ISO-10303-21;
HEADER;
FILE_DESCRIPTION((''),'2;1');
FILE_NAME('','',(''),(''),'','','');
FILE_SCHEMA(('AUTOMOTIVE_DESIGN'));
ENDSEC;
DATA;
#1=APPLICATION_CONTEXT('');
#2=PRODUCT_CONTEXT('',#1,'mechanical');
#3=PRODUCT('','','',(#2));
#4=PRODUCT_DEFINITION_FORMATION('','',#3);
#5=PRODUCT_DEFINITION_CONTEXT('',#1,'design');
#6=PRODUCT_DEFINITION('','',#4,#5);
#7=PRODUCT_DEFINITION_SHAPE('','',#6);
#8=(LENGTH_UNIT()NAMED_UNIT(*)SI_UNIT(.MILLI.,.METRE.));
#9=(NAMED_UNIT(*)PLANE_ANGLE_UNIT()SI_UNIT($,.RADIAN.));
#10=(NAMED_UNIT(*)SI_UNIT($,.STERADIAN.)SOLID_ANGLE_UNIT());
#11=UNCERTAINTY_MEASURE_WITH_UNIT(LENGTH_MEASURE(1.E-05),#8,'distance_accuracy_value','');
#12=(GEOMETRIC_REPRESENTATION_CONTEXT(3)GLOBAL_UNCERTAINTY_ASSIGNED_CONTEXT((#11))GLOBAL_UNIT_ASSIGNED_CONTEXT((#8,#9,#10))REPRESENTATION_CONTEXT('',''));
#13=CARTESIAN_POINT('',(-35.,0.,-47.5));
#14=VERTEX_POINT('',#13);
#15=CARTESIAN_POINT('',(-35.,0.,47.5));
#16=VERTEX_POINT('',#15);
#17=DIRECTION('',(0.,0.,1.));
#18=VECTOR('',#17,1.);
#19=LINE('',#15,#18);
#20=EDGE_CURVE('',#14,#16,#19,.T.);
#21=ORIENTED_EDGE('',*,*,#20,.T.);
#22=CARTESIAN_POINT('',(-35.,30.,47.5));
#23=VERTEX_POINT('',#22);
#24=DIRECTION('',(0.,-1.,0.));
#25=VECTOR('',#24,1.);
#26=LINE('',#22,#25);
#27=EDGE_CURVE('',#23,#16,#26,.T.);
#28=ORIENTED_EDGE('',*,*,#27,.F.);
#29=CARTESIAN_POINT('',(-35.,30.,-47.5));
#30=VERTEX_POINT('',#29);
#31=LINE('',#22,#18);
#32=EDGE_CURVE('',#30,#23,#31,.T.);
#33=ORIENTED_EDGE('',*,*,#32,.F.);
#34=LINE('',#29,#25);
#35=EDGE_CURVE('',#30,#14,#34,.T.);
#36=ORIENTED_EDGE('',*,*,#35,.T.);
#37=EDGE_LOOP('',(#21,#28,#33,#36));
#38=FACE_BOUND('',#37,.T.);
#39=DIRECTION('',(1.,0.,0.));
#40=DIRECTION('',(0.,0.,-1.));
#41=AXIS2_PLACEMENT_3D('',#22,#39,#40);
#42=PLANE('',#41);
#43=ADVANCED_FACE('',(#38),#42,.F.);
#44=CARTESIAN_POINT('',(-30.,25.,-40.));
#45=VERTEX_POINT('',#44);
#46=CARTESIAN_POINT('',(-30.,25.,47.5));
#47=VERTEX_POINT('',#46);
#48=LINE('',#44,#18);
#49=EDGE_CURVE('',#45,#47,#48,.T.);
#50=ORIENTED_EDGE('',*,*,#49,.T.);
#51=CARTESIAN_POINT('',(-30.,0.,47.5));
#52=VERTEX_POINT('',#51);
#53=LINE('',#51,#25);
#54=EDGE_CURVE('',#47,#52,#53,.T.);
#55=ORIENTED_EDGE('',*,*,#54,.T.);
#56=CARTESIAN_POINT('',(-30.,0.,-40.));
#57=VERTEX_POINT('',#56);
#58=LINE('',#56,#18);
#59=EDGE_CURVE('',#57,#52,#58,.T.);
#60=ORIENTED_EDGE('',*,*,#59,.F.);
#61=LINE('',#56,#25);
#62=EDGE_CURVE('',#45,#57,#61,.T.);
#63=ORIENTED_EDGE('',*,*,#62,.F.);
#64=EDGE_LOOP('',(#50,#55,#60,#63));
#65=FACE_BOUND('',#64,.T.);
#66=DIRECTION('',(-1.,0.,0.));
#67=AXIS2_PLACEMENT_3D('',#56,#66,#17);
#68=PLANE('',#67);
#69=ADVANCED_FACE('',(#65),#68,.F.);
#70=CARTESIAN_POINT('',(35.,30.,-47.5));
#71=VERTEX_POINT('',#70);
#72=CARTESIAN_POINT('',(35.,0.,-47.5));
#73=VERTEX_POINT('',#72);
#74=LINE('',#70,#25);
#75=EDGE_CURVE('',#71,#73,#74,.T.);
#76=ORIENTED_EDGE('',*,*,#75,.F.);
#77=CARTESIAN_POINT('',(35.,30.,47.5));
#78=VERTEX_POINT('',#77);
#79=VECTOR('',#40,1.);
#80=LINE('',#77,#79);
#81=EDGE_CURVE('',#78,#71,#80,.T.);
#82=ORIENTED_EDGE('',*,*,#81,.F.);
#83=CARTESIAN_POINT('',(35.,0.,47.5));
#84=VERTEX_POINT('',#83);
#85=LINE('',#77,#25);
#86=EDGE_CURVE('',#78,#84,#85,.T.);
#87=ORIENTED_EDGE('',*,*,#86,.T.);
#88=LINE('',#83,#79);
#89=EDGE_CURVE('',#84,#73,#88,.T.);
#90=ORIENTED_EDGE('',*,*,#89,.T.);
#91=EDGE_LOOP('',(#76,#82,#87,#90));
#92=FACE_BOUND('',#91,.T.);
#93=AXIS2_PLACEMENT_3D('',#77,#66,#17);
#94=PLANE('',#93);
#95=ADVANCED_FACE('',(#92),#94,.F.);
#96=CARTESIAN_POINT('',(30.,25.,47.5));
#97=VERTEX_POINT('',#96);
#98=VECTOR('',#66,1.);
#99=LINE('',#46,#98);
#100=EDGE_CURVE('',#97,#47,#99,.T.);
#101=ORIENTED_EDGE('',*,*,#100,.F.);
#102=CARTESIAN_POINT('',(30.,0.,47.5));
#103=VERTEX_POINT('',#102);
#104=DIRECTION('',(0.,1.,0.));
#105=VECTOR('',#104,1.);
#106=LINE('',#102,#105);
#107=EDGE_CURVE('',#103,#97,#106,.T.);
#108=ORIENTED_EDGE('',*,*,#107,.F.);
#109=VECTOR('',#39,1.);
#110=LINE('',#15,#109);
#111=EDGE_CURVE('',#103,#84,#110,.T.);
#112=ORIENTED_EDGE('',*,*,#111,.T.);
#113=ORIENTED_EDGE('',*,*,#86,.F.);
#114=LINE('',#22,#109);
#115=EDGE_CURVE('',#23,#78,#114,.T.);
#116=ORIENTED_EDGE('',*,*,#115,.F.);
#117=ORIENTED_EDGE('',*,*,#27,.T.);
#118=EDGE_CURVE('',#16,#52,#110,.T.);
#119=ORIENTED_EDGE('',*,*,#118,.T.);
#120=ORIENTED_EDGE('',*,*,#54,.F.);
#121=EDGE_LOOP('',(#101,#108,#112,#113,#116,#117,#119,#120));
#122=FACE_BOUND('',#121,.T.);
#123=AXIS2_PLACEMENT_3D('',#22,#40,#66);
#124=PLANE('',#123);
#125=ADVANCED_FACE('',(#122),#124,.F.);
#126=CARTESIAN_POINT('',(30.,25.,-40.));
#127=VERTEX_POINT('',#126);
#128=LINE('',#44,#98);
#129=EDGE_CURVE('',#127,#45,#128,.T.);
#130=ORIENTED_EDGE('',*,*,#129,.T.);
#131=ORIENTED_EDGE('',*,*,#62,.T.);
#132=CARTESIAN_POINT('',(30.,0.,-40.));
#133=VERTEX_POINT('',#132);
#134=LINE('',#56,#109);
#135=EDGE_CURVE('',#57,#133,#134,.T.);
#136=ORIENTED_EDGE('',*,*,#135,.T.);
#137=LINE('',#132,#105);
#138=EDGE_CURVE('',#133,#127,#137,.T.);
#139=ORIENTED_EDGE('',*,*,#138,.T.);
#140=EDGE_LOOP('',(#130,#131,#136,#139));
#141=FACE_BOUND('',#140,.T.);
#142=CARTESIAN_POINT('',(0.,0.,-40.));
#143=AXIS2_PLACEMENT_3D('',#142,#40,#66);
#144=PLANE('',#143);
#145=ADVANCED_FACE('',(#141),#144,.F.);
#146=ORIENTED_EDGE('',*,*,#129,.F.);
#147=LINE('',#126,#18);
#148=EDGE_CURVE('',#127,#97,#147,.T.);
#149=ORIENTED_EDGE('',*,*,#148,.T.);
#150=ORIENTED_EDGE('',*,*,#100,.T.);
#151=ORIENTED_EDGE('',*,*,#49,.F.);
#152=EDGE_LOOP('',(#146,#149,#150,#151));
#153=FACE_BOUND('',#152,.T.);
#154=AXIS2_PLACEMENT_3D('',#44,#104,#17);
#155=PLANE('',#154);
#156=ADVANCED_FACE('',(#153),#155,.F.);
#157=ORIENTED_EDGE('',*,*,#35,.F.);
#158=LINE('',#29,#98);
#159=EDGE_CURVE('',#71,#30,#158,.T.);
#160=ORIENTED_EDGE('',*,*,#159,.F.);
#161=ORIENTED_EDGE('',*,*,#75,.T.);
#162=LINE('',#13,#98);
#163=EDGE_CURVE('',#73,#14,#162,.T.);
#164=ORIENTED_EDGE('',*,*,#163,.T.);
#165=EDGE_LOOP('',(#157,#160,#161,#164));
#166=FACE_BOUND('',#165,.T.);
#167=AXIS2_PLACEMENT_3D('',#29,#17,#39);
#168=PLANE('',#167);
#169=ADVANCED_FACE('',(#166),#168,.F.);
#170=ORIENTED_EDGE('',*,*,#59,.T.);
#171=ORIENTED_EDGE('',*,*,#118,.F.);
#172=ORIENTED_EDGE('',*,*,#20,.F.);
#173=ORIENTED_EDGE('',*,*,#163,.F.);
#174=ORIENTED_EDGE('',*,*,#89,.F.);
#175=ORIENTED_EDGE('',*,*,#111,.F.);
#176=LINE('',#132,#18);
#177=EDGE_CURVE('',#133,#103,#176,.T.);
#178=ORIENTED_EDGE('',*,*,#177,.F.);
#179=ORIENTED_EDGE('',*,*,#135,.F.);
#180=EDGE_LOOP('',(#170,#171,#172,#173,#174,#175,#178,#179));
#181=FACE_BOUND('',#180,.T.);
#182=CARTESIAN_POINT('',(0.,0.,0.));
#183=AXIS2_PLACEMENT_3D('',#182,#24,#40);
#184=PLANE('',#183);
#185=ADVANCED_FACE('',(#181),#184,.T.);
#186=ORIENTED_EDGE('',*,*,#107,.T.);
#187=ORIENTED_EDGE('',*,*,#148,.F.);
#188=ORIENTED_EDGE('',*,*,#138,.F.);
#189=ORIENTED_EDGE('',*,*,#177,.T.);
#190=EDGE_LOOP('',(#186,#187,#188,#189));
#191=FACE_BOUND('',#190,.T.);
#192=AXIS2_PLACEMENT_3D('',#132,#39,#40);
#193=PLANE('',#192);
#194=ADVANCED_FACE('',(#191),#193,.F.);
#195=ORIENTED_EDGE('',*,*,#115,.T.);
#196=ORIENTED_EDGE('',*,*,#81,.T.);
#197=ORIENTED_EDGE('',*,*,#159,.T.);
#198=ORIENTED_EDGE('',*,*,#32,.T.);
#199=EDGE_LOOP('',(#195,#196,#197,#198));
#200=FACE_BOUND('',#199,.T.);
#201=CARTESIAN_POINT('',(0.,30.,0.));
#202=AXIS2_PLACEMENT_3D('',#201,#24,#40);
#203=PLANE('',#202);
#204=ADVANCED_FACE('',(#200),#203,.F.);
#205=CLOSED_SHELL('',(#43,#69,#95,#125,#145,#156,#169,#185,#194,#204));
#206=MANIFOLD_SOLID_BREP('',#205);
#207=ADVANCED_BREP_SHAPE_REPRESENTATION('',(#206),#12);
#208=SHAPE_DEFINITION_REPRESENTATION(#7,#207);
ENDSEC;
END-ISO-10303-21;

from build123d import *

# Parameters (mm, degrees)
SKETCH1_W           = 70
SKETCH1_H           = 95
BOSS_EXTRUDE1_DEPTH = 30
SKETCH2_W           = 60
SKETCH2_H           = 25
CUT_EXTRUDE1_DEPTH  = 87.5


with BuildPart() as part:
    # Sketch1 → Boss-Extrude1 (new body)
    with BuildSketch(Plane(origin=(0, 0, 0), x_dir=(1, 0, 0), z_dir=(0, 1, 0))):
        Rectangle(SKETCH1_W, SKETCH1_H)
    extrude(amount=BOSS_EXTRUDE1_DEPTH)

    # Sketch2 → Cut-Extrude1 (cut)
    with BuildSketch(Plane.XY.offset(47.5)):
        with Locations((0, 12.5)):
            Rectangle(SKETCH2_W, SKETCH2_H)
    extrude(amount=-CUT_EXTRUDE1_DEPTH, mode=Mode.SUBTRACT)


solid = part.part
